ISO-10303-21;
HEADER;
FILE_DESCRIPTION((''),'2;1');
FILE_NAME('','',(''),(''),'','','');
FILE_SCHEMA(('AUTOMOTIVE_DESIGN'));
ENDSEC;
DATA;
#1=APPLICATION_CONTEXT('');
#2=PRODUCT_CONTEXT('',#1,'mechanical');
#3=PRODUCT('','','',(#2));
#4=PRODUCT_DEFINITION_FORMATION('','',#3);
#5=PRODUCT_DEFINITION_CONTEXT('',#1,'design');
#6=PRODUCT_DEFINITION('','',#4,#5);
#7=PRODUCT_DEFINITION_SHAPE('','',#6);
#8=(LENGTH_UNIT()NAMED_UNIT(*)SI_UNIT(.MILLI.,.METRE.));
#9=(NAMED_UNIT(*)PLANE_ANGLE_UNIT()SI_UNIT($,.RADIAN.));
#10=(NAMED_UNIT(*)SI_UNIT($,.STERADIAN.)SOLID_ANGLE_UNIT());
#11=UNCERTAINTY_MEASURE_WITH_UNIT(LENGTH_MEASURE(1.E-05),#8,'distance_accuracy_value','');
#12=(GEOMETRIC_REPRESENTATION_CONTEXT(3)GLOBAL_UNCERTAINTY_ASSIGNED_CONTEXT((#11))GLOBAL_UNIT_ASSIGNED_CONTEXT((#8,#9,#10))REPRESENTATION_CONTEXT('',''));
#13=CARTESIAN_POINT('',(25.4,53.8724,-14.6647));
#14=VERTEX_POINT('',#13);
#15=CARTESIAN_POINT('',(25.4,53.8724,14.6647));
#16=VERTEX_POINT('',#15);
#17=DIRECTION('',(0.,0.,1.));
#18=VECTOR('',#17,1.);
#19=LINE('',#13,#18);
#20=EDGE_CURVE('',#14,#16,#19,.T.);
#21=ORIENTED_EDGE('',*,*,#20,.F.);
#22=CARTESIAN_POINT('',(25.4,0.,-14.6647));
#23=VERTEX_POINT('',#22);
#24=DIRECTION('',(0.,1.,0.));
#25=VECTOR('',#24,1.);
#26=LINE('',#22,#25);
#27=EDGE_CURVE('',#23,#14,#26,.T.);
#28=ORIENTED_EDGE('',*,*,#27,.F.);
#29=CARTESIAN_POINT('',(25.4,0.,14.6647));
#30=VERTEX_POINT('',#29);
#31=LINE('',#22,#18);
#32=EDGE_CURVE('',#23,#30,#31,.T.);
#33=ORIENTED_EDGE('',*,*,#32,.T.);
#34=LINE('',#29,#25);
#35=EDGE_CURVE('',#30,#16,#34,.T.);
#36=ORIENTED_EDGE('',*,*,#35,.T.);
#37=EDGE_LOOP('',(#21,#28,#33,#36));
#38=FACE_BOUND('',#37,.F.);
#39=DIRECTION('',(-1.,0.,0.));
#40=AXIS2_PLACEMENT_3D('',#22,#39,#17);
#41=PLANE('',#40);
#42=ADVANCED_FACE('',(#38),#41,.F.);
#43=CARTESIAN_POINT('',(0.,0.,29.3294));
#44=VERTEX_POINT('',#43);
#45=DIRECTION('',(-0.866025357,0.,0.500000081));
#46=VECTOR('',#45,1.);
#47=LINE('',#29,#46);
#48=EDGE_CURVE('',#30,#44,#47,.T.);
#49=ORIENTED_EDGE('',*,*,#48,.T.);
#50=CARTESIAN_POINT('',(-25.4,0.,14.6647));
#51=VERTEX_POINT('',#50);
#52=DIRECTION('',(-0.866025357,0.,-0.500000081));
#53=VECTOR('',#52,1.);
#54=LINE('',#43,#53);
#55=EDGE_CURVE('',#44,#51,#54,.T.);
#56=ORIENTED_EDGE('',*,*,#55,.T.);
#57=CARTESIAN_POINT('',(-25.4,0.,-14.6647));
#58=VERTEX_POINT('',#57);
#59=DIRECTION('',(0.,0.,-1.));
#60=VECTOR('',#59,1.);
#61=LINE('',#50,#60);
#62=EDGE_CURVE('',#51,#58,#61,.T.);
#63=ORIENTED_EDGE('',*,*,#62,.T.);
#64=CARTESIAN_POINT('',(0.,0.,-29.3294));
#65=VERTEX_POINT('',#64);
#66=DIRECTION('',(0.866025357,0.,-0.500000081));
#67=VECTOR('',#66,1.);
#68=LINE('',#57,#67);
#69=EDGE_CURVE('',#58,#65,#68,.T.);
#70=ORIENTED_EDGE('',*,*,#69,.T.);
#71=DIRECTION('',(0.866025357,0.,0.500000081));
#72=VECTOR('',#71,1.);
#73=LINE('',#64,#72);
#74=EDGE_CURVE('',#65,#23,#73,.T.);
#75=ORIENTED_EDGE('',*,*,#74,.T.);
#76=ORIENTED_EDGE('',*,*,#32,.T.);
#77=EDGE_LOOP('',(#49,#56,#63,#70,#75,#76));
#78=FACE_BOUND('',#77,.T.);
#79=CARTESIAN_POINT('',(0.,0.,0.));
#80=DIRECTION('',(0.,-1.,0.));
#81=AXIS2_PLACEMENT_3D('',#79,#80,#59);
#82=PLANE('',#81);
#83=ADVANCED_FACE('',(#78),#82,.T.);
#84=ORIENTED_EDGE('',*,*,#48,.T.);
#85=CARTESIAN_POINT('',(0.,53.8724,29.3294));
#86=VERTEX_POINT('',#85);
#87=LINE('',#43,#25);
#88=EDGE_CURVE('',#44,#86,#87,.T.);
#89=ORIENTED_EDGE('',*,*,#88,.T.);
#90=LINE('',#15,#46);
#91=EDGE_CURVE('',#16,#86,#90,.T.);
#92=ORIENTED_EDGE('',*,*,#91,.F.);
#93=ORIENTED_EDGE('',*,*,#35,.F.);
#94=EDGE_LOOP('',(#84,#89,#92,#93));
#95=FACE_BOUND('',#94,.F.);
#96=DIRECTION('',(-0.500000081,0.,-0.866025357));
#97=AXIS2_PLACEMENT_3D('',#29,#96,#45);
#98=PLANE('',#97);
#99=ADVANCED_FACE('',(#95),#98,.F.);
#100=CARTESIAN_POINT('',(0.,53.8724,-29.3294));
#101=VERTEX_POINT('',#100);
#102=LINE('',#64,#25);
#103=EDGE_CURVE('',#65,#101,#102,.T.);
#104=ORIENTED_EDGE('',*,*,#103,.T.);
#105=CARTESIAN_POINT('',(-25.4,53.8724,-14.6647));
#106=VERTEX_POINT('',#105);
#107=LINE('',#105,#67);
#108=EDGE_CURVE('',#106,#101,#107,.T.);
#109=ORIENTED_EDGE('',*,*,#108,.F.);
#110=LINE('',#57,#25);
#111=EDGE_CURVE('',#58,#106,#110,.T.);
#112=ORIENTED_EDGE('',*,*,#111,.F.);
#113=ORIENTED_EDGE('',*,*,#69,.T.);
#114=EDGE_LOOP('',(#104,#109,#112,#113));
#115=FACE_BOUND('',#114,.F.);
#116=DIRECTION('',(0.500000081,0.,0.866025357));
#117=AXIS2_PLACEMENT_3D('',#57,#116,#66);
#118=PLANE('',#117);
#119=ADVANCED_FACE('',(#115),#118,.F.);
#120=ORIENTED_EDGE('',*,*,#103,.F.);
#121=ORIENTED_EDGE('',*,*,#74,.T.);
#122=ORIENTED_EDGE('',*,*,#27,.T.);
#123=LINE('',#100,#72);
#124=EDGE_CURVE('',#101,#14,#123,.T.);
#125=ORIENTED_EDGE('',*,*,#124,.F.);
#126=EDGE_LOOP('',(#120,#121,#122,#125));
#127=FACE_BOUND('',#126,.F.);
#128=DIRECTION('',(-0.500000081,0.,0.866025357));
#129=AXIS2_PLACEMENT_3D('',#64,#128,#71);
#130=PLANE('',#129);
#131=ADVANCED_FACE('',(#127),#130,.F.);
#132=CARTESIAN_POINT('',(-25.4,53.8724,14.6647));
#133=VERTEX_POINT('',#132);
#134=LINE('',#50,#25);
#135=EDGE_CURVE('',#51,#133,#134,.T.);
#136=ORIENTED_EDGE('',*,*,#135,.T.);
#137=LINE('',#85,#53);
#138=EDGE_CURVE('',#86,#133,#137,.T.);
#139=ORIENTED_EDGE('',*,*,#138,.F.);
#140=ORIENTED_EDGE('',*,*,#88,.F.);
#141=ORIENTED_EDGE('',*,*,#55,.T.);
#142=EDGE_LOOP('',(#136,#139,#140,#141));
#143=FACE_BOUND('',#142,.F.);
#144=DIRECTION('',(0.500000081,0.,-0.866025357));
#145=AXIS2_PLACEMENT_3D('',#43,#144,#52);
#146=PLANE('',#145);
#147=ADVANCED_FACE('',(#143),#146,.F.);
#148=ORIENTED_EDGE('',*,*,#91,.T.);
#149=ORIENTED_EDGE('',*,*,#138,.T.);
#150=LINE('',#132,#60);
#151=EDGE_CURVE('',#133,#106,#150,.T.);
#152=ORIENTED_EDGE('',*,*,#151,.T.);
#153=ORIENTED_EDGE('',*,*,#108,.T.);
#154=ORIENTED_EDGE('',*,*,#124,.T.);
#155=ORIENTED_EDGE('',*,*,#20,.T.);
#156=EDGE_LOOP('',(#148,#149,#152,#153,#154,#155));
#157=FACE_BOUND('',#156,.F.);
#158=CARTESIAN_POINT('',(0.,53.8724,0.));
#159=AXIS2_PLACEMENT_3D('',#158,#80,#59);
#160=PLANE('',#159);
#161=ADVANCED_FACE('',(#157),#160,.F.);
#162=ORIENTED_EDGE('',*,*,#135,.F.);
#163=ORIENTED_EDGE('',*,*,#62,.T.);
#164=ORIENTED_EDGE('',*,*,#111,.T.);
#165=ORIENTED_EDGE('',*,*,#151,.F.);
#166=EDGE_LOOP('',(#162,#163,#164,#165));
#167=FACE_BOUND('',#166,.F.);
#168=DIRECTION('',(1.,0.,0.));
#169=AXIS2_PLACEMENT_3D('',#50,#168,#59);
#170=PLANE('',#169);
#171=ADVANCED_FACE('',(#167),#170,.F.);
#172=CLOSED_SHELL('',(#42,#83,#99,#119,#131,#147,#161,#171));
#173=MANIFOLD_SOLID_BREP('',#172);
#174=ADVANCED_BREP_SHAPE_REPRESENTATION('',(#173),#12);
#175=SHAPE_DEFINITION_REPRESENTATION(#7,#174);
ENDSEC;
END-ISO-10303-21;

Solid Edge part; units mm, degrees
sketch "Sketch1" plane through (0, 0, 0) normal (1, 0, 0) x (0, 1, 0)
  line L0 (0, 0) -> (53.8724, 0)
sketch "Sketch2" plane through (0, 0, 0) normal (0, -1, 0) x (1, 0, 0)
  line L0 (-25.4, -14.6647) -> (0, -29.3294)
  line L1 (0, -29.3294) -> (25.4, -14.6647)
  line L2 (25.4, -14.6647) -> (25.4, 14.6647)
  line L3 (25.4, 14.6647) -> (0, 29.3294)
  line L4 (0, 29.3294) -> (-25.4, 14.6647)
  line L5 (-25.4, 14.6647) -> (-25.4, -14.6647)
  dimension "D1" = 50.8
sweep "Protrusion_1" add profiles "Sketch2" path "Sketch1"
